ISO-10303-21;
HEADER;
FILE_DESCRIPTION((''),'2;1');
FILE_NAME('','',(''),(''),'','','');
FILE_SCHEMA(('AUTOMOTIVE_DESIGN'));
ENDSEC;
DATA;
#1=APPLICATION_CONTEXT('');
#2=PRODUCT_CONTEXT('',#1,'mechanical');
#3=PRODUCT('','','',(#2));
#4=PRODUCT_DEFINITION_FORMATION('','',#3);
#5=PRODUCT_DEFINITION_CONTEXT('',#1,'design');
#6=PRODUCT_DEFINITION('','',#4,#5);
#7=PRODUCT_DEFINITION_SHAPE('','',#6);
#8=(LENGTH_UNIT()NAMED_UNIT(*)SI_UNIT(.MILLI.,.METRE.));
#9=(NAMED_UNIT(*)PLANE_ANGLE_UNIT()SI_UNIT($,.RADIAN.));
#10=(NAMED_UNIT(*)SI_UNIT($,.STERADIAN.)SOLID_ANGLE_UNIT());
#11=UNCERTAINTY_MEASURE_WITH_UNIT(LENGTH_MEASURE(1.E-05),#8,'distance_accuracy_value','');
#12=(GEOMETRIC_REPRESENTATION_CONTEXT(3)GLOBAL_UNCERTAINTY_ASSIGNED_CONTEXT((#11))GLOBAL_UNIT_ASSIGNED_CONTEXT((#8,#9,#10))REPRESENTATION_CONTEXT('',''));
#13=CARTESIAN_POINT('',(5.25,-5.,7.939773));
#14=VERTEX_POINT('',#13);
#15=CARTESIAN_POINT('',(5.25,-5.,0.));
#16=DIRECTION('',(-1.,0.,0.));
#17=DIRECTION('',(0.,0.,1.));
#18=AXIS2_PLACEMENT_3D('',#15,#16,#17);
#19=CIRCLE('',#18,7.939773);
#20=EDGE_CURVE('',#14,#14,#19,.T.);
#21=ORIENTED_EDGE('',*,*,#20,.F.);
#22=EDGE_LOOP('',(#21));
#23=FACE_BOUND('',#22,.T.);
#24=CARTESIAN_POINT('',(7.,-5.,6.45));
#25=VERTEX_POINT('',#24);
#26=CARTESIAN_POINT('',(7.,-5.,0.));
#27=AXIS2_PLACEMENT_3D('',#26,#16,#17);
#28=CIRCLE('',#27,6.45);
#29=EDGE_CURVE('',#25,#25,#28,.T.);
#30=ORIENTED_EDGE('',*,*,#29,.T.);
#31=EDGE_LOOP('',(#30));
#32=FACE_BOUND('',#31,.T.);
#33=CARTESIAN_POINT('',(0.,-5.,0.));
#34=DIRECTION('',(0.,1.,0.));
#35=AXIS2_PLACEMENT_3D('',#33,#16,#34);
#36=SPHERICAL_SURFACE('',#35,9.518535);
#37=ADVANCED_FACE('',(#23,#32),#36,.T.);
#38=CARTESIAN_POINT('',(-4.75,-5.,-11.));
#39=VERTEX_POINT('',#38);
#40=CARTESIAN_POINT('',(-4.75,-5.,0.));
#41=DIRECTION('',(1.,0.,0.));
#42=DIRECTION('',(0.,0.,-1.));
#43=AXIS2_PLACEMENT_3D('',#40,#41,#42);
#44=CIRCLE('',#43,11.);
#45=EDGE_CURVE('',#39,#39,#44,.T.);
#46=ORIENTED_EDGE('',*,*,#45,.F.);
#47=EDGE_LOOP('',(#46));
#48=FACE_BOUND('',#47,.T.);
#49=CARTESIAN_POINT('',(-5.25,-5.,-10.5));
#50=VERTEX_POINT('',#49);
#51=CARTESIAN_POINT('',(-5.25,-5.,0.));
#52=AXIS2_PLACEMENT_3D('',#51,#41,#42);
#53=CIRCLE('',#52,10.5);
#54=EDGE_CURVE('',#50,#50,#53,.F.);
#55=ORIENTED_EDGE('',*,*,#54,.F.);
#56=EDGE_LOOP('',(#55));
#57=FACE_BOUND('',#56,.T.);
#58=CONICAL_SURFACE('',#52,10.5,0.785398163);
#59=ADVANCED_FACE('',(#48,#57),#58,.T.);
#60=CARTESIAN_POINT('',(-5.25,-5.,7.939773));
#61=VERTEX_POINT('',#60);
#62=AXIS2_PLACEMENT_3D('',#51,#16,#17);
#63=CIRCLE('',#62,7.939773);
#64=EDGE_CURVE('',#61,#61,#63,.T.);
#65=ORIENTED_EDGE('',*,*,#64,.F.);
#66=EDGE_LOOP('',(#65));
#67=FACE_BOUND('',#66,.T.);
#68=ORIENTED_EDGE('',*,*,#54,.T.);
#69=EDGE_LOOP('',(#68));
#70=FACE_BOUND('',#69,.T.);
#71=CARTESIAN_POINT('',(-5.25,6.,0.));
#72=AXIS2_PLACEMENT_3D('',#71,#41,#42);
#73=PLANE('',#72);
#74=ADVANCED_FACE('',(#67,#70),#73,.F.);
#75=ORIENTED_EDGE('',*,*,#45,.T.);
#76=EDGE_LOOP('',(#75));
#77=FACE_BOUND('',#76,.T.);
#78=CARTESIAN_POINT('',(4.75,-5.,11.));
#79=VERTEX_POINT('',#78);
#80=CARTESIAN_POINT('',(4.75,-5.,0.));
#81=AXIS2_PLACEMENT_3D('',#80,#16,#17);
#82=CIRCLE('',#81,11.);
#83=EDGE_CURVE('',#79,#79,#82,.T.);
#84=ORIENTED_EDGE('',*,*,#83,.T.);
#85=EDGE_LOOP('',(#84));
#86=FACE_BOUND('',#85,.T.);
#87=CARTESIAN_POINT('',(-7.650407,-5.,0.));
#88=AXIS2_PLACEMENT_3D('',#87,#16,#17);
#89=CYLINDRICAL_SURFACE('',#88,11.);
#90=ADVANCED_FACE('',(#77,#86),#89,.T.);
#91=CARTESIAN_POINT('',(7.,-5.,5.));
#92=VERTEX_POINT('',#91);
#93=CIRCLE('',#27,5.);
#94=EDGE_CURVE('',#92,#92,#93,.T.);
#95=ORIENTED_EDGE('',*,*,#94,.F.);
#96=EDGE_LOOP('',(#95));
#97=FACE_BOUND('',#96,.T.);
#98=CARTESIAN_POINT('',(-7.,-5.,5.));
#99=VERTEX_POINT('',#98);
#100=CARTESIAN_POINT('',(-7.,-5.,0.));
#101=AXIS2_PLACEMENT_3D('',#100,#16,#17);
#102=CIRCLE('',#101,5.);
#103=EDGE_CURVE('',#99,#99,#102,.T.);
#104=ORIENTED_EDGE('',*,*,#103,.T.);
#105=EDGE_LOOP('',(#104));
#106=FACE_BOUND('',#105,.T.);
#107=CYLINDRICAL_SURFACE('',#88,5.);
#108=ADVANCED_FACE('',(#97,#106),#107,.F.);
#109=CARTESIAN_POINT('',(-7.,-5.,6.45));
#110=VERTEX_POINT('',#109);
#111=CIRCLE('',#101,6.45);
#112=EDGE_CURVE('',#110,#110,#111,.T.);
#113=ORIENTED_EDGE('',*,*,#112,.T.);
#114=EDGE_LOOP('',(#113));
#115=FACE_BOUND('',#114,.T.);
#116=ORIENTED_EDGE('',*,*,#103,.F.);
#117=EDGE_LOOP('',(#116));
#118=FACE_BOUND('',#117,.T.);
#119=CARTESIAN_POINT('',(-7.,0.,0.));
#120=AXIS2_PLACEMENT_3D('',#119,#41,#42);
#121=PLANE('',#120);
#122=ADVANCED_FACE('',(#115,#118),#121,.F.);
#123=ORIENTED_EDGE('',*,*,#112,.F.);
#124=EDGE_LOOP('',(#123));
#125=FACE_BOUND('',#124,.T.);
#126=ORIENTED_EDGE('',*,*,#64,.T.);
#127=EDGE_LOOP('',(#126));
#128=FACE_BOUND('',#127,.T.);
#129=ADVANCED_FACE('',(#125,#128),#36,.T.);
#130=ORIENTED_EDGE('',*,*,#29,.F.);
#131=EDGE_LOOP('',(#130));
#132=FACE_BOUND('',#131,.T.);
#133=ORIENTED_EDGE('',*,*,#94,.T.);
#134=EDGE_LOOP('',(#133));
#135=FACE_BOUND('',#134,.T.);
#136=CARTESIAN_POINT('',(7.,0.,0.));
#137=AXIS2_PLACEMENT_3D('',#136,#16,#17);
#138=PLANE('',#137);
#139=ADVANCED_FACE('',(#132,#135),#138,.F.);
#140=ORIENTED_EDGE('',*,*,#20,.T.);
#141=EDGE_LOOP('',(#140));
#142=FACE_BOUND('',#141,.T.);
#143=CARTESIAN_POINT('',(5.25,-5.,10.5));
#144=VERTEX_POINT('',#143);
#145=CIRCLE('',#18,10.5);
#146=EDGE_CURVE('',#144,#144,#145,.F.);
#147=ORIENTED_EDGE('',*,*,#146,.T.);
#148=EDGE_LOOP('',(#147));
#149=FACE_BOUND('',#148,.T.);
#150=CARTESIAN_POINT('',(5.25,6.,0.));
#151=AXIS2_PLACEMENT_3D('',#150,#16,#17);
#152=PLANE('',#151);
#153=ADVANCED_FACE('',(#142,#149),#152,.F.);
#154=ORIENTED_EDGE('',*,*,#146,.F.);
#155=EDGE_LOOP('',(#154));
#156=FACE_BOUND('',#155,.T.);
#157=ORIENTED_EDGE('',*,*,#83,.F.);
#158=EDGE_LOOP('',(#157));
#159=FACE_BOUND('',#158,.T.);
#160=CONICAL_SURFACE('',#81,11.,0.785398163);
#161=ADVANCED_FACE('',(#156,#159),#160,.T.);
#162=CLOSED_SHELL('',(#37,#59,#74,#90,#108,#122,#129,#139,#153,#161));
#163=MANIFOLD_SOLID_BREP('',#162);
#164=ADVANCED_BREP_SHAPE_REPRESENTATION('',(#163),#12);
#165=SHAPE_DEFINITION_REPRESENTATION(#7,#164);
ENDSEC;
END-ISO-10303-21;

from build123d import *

# Parameters (mm, degrees)
SFAZOWANIE1_SIZE = 0.5


with BuildPart() as part:
    # Szkic1 → Obrót1 (revolve)
    with BuildSketch(Plane.XY):
        with BuildLine():
            Line((-7, 0), (7, 0))
            Line((7, 0), (7, 1.45))
            ThreePointArc((7, 1.45), (6.170128128, 2.247897549), (5.25, 2.939773297))
            Line((5.25, 2.939773297), (5.25, 6))
            Line((5.25, 6), (-5.25, 6))
            Line((-5.25, 6), (-5.25, 2.939773297))
            ThreePointArc((-5.25, 2.939773297), (-6.170128128, 2.247897549), (-7, 1.45))
            Line((-7, 1.45), (-7, 0))
        make_face()
    revolve(axis=Axis((-7.6504069, -5, 0), (1, 0, 0)))

    # Sfazowanie1
    sfazowanie1_edges = [part.edges().sort_by_distance(p)[0] for p in [
        (-5.25, -16, 0),
        (5.25, -16, 0),
    ]]
    chamfer(sfazowanie1_edges, length=SFAZOWANIE1_SIZE)


solid = part.part
